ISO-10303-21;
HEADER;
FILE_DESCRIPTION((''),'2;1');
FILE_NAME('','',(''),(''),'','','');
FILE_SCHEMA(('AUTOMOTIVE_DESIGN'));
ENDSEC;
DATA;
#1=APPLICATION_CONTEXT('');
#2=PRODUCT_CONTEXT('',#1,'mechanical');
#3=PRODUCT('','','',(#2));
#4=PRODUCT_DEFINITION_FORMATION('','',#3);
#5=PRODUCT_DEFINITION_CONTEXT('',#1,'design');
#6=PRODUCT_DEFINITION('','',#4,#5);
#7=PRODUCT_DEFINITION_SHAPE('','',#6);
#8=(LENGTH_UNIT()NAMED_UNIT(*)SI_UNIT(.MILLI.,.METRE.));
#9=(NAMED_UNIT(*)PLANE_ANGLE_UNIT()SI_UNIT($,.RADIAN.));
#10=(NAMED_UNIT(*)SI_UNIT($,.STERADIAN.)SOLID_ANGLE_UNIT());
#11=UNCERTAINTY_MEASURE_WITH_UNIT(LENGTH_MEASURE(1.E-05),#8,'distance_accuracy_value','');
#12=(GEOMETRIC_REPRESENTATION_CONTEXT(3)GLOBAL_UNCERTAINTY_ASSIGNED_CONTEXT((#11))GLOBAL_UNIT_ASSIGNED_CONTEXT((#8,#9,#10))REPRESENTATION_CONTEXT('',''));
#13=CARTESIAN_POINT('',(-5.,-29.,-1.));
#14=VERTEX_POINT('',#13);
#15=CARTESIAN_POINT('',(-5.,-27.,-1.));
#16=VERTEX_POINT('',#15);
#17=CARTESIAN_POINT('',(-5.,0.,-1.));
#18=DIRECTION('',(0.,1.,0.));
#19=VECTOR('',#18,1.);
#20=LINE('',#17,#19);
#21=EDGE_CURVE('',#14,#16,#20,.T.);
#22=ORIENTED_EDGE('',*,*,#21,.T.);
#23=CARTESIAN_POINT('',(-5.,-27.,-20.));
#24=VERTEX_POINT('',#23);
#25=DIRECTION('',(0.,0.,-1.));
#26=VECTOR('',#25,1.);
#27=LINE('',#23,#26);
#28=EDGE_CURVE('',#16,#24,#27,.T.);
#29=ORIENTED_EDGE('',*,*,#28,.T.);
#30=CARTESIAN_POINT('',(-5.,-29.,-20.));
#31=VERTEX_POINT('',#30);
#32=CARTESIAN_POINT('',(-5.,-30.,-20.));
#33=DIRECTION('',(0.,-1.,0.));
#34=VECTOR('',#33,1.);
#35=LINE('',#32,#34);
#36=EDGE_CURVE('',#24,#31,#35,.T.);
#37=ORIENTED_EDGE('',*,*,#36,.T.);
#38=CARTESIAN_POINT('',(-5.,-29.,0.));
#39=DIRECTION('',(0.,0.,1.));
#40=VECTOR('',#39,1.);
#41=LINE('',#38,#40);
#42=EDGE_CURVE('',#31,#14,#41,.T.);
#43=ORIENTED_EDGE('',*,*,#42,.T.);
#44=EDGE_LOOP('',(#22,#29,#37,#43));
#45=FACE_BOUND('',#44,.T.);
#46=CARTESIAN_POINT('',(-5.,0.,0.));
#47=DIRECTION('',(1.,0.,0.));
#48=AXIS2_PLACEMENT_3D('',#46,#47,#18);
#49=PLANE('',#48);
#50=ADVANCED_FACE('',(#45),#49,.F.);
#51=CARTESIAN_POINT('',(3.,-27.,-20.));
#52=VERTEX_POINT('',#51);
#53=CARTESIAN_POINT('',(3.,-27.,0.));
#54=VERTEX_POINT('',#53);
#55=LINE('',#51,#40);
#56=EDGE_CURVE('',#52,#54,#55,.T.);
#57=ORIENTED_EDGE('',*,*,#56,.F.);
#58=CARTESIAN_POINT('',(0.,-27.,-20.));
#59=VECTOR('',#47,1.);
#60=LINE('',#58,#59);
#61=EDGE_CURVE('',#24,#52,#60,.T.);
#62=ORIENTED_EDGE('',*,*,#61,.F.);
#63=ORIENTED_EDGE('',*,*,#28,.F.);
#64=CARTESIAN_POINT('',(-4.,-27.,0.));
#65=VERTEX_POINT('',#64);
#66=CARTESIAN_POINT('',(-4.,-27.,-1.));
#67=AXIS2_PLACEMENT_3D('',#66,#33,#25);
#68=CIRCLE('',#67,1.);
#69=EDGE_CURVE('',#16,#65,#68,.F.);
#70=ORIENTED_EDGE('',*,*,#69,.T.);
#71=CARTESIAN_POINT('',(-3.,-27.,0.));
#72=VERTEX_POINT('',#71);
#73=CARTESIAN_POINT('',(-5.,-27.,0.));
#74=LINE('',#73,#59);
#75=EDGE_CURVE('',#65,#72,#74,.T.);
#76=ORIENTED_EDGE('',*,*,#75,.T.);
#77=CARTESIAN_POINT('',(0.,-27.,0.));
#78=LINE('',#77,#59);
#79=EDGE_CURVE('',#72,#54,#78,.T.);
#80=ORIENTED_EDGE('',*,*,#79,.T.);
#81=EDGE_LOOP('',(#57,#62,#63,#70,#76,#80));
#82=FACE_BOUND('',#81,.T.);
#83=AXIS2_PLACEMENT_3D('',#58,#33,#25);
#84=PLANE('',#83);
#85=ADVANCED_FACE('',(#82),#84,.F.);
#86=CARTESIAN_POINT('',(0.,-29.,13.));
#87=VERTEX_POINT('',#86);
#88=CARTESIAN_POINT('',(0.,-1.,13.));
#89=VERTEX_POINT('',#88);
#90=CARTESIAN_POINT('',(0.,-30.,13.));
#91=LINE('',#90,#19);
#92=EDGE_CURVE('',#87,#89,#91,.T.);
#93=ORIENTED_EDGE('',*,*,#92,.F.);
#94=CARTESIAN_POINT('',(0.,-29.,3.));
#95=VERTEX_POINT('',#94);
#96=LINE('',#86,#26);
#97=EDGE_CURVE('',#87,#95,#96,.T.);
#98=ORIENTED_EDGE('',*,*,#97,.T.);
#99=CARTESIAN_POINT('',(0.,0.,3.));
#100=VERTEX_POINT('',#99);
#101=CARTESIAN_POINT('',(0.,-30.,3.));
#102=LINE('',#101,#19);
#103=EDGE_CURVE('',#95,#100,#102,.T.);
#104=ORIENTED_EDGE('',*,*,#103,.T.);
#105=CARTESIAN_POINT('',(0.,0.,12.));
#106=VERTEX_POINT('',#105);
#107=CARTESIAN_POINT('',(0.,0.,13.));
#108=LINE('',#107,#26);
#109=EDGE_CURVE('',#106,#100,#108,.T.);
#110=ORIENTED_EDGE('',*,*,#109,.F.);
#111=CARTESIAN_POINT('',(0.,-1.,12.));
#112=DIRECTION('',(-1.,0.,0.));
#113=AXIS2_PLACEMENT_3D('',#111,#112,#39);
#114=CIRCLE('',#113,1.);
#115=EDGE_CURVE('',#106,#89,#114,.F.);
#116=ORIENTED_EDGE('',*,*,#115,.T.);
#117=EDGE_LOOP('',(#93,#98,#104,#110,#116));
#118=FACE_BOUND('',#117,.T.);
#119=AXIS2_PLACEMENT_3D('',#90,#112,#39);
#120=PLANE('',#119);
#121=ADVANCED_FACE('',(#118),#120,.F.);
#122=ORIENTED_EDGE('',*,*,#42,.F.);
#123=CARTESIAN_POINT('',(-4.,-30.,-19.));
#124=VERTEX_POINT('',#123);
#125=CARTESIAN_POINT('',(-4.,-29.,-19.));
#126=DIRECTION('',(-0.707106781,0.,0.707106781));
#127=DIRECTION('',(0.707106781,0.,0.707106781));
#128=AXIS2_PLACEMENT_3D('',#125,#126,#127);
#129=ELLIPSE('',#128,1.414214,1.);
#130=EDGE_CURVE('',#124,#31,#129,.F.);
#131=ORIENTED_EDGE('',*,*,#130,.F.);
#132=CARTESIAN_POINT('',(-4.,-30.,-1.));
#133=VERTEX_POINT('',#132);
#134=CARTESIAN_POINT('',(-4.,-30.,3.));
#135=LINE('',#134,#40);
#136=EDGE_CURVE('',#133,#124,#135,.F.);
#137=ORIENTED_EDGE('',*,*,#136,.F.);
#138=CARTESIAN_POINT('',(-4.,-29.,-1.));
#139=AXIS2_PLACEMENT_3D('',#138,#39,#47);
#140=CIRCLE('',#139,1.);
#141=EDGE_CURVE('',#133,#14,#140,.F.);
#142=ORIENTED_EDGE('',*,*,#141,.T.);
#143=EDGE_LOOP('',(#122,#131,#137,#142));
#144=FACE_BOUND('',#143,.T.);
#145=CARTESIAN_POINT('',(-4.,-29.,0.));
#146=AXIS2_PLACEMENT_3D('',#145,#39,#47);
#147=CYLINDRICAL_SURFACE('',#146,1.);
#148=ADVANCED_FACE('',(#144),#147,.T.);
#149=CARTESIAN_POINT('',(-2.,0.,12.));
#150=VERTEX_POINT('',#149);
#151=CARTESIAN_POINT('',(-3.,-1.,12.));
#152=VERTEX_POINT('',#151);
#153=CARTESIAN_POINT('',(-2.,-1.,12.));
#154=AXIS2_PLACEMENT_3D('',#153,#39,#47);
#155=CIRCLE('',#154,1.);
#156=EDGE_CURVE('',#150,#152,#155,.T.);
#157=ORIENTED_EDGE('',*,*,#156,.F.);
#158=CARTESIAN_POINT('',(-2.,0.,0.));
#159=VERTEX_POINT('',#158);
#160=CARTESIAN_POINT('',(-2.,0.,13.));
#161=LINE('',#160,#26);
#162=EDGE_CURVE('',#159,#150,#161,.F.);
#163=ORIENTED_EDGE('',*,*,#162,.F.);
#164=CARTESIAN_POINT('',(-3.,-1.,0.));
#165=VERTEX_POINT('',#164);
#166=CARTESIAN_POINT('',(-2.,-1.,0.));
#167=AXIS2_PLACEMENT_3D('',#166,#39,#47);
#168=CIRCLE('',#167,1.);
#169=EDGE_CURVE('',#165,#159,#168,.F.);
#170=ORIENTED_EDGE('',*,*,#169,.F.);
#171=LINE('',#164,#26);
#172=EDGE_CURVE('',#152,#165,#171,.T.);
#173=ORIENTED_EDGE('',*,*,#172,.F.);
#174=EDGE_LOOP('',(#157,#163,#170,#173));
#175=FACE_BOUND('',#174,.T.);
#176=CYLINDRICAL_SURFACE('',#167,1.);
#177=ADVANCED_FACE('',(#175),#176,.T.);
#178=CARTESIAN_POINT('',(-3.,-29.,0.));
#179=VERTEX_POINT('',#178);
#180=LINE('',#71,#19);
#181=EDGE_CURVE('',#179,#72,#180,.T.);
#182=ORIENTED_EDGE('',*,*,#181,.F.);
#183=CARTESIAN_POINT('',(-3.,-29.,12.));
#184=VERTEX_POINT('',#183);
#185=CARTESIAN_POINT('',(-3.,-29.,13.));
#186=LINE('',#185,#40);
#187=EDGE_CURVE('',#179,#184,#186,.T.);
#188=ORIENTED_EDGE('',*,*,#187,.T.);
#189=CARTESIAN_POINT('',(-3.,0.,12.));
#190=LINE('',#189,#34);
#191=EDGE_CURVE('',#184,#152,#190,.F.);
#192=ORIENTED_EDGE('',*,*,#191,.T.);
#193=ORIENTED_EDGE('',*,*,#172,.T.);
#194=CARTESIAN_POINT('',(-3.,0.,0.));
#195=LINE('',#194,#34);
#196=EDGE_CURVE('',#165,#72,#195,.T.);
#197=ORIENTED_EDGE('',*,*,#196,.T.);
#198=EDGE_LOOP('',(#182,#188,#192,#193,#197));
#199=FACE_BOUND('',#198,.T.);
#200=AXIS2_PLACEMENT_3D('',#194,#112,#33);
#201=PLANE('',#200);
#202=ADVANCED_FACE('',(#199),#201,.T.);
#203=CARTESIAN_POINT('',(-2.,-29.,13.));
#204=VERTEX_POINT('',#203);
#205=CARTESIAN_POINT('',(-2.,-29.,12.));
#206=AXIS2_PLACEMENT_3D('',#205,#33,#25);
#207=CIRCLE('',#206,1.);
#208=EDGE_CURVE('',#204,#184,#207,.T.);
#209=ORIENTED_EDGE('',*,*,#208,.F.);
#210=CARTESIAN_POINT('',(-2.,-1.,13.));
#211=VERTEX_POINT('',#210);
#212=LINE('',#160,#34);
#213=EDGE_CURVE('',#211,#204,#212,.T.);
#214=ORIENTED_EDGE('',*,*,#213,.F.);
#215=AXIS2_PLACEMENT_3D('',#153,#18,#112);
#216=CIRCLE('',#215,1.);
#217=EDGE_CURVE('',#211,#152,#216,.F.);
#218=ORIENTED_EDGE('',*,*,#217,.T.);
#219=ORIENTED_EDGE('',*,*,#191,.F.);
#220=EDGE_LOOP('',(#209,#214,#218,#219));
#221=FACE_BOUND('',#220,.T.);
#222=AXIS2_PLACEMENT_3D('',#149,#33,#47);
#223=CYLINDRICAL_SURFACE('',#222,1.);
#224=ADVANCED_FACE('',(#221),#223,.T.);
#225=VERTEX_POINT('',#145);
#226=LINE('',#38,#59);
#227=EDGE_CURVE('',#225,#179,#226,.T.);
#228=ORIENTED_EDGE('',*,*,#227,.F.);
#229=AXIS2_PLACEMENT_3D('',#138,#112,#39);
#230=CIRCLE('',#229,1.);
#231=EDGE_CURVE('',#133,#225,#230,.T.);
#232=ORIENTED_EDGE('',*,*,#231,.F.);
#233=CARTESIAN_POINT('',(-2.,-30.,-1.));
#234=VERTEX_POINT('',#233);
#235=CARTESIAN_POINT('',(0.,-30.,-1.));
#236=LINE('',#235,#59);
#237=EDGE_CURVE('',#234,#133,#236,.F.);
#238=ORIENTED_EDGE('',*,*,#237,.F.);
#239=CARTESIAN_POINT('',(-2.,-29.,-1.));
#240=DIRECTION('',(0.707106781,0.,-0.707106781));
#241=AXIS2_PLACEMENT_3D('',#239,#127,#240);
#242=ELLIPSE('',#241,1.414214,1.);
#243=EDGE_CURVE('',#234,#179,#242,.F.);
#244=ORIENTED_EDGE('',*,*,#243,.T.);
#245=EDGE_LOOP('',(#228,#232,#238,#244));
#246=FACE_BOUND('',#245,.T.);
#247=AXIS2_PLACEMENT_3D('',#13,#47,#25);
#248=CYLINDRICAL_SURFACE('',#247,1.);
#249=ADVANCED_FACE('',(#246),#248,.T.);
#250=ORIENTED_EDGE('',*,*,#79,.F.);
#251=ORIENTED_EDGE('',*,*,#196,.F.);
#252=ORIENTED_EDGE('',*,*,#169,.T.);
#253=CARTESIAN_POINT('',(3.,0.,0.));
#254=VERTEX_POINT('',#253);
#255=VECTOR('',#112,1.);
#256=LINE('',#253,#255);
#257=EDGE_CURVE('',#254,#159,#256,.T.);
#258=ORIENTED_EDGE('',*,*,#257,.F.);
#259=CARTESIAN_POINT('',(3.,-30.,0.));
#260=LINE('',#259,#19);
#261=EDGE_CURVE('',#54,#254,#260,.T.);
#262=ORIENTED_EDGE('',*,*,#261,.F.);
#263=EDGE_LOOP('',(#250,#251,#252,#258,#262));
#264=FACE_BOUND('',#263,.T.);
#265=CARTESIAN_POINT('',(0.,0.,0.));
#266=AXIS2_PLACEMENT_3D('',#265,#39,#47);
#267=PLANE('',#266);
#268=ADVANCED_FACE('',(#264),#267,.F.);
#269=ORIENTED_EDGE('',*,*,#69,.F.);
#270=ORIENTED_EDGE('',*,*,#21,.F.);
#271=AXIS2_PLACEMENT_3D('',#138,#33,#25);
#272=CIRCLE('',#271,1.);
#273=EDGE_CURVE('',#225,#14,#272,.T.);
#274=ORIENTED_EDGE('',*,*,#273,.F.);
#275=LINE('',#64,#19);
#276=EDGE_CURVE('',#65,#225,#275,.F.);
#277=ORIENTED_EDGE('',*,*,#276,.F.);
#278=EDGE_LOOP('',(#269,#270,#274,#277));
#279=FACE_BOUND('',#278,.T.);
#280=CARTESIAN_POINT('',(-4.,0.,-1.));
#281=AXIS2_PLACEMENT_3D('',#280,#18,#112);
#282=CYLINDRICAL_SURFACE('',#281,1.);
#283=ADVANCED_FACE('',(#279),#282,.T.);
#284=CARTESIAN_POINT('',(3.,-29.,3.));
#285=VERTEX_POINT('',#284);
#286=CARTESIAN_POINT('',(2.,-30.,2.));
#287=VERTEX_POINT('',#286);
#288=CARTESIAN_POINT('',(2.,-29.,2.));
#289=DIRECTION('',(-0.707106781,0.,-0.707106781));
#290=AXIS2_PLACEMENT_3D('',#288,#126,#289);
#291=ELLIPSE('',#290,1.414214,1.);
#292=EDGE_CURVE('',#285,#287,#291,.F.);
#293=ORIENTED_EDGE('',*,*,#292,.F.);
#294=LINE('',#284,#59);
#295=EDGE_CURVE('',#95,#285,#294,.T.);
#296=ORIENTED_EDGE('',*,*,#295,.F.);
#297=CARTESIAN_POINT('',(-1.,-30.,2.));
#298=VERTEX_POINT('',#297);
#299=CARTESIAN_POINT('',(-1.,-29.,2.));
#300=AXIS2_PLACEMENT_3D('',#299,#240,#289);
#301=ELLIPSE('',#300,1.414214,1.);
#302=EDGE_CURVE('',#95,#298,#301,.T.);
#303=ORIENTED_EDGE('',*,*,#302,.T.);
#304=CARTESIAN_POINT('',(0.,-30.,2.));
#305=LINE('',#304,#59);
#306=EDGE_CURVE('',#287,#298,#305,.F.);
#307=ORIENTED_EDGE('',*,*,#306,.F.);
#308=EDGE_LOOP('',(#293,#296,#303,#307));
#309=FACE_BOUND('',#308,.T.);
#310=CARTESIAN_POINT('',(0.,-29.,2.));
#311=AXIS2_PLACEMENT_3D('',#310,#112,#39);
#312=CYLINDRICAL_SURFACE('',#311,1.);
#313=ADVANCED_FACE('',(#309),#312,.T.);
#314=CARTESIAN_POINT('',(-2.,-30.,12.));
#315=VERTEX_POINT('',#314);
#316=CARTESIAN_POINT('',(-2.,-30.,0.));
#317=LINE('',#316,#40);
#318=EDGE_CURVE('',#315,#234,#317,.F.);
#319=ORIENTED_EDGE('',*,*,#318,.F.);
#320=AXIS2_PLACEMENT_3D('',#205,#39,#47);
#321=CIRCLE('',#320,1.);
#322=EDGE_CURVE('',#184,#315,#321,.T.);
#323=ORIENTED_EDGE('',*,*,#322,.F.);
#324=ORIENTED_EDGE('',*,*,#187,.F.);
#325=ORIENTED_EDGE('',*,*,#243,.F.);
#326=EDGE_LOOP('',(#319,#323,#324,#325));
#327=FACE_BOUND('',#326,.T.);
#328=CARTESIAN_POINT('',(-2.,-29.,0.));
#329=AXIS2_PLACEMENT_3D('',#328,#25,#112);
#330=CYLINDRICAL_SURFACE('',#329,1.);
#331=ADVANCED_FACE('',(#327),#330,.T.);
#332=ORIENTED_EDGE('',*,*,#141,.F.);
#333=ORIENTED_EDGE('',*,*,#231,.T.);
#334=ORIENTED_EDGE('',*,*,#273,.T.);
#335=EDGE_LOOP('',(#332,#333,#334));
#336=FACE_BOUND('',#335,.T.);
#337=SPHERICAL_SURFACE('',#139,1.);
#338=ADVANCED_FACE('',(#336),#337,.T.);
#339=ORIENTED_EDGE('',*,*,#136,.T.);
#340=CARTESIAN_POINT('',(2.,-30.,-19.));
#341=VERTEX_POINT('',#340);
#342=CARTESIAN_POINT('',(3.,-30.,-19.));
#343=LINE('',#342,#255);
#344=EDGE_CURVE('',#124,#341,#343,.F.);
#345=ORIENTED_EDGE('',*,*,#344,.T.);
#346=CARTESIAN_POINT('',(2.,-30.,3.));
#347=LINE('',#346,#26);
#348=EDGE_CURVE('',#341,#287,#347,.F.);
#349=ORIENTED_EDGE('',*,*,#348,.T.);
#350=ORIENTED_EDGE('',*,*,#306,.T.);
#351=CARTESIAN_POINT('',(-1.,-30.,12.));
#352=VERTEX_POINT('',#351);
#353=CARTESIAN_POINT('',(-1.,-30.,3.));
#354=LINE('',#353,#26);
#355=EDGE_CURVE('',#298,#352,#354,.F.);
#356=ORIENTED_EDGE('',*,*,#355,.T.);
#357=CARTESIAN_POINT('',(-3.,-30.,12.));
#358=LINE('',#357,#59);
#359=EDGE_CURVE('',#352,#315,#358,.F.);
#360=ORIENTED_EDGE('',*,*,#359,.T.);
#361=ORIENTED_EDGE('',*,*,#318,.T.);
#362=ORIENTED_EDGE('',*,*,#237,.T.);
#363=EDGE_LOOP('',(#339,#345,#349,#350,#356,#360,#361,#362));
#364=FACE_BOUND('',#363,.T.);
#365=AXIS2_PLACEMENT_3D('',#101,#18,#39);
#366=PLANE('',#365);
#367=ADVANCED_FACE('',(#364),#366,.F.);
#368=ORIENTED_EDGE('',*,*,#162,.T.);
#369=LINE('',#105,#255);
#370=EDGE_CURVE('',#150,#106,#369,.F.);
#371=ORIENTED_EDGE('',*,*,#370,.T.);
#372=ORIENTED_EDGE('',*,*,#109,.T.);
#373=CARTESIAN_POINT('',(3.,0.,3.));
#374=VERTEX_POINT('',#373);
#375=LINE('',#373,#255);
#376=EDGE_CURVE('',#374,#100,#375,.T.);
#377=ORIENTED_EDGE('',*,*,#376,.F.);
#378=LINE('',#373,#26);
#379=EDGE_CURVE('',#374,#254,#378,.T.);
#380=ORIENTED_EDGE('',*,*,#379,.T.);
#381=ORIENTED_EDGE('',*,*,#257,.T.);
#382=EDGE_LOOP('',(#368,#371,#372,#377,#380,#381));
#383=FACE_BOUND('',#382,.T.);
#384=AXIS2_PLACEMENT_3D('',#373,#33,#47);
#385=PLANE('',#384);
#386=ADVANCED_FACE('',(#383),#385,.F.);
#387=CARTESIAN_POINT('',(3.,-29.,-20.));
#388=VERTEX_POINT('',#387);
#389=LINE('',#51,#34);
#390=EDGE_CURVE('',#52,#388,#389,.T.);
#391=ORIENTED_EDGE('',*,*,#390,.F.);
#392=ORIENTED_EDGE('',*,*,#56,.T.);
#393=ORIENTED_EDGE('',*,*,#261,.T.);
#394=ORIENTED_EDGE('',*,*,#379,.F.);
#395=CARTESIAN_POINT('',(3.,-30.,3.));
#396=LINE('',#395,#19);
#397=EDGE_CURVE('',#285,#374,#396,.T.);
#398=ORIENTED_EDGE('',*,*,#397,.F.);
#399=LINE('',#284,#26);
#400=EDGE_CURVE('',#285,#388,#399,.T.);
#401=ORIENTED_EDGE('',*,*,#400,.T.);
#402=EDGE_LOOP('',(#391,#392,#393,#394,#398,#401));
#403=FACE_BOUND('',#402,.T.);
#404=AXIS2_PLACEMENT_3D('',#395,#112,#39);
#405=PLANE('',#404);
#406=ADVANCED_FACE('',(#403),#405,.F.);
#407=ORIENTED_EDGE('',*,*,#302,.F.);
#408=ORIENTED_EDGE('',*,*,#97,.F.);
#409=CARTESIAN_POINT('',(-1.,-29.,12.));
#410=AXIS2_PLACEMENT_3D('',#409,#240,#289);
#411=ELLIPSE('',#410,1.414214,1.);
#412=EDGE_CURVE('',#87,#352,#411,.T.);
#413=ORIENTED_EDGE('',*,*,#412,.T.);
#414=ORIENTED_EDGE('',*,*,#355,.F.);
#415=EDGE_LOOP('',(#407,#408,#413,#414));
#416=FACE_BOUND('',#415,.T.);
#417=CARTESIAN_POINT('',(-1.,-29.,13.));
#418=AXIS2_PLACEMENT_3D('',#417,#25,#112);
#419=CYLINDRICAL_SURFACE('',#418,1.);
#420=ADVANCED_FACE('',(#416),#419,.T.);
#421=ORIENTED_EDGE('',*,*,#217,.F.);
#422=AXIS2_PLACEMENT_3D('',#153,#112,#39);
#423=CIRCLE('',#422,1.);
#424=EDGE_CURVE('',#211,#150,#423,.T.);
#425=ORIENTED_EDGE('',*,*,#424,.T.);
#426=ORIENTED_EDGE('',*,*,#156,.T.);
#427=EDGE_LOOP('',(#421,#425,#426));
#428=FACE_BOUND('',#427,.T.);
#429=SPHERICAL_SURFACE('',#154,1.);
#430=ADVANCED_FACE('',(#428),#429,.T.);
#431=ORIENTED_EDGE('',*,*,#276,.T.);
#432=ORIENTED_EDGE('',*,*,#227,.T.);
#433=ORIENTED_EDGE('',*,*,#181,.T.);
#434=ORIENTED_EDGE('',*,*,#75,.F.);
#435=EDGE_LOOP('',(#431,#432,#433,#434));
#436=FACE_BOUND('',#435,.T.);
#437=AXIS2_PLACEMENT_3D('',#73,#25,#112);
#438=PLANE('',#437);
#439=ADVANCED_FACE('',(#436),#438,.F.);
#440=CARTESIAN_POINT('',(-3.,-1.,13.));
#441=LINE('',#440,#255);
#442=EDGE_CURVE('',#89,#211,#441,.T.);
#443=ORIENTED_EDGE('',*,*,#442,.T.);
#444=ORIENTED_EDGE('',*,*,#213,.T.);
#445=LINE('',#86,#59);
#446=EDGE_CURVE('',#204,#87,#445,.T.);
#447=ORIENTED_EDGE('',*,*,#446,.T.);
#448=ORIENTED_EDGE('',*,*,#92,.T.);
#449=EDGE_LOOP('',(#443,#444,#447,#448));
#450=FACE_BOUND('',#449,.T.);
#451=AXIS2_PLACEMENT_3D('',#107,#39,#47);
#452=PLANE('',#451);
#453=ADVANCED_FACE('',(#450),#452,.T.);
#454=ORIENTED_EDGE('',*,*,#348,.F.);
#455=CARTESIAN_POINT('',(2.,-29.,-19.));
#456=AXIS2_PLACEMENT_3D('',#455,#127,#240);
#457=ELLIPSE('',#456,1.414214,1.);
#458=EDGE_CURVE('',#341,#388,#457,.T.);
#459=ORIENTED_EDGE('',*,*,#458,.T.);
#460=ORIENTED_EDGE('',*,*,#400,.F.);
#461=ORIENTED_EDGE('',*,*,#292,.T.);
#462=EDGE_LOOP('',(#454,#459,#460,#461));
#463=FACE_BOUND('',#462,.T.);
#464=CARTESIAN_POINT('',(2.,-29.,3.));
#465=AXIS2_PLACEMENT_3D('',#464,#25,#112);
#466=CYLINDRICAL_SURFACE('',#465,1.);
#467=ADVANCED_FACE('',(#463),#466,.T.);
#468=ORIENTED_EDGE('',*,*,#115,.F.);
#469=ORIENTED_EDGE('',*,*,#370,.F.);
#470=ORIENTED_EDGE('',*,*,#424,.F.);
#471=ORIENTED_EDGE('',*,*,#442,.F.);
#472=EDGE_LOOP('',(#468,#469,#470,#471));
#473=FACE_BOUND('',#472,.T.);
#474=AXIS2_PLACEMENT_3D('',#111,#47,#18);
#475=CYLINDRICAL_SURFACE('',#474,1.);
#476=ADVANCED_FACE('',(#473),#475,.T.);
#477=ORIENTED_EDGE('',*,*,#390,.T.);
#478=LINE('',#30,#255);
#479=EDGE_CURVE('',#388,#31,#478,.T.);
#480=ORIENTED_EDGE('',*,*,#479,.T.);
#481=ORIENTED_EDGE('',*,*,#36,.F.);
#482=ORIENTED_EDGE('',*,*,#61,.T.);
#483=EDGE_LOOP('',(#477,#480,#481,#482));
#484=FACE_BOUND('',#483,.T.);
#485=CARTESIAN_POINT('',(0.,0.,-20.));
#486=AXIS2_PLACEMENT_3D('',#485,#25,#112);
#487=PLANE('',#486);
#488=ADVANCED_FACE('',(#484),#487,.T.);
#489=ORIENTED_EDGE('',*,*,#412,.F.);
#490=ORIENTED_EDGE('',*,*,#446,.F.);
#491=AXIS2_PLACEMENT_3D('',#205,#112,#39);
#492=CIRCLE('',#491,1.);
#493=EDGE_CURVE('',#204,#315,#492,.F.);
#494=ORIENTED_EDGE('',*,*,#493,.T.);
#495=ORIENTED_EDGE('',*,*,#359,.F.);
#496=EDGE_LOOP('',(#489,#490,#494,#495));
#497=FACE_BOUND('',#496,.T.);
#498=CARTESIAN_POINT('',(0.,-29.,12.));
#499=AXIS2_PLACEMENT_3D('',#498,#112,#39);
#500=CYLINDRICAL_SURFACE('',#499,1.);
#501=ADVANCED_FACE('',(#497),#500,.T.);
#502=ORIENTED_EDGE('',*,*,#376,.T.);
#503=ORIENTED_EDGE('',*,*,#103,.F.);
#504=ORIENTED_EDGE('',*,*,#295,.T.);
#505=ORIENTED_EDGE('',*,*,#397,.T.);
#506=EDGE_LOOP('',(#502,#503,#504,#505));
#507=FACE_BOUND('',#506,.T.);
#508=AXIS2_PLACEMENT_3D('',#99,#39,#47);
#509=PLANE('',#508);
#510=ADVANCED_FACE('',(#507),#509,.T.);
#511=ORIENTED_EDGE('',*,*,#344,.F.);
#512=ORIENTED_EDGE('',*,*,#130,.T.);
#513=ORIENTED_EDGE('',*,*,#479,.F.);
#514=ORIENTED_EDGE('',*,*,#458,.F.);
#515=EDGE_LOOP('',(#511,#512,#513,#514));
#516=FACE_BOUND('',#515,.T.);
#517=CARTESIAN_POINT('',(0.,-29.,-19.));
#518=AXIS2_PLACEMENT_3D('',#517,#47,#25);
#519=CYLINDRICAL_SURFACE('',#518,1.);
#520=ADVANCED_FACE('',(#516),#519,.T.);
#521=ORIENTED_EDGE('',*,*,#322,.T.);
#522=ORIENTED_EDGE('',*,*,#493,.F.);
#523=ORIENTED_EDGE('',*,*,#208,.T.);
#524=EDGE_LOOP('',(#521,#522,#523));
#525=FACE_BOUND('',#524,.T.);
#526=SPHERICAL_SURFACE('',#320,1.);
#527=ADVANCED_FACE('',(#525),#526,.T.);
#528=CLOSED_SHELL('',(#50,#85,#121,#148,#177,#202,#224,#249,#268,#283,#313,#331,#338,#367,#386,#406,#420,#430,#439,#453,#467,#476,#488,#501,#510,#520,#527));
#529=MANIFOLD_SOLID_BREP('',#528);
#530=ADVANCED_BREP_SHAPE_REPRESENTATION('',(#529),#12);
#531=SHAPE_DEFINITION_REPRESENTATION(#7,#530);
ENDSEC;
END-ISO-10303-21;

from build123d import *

# Parameters (mm, degrees)
SKETCH1_W            = 3
SKETCH1_H            = 30
BOSS_EXTRUDE1_DEPTH  = 3
SKETCH8_W            = 3
SKETCH8_H            = 3
BOSS_EXTRUDE7_DEPTH  = 20
SKETCH9_W            = 20
SKETCH9_H            = 3
BOSS_EXTRUDE8_DEPTH  = 5
SKETCH12_W           = 3
SKETCH12_H           = 30
BOSS_EXTRUDE10_DEPTH = 3
SKETCH13_W           = 3
SKETCH13_H           = 30
BOSS_EXTRUDE11_DEPTH = 10
FILLET6_R            = 1


with BuildPart() as part:
    # Sketch1 → Boss-Extrude1 (new body)
    with BuildSketch(Plane.XY):
        with Locations((1.5, -15)):
            Rectangle(SKETCH1_W, SKETCH1_H)
    extrude(amount=BOSS_EXTRUDE1_DEPTH)

    # Sketch8 → Boss-Extrude7 (add)
    with BuildSketch(Plane(origin=(0, 0, 0), x_dir=(-1, 0, 0), z_dir=(0, 0, -1))):
        with Locations((-1.5, -28.5)):
            Rectangle(SKETCH8_W, SKETCH8_H)
    extrude(amount=BOSS_EXTRUDE7_DEPTH)

    # Sketch9 → Boss-Extrude8 (add)
    with BuildSketch(Plane.ZY):
        with Locations((-10, -28.5)):
            Rectangle(SKETCH9_W, SKETCH9_H)
    extrude(amount=BOSS_EXTRUDE8_DEPTH)

    # Sketch12 → Boss-Extrude10 (add)
    with BuildSketch(Plane.ZY):
        with Locations((1.5, -15)):
            Rectangle(SKETCH12_W, SKETCH12_H)
    extrude(amount=BOSS_EXTRUDE10_DEPTH)

    # Sketch13 → Boss-Extrude11 (add)
    with BuildSketch(Plane.XY.offset(3)):
        with Locations((-1.5, -15)):
            Rectangle(SKETCH13_W, SKETCH13_H)
    extrude(amount=BOSS_EXTRUDE11_DEPTH)

    # Fillet6
    fillet6_edges = [part.edges().sort_by_distance(p)[0] for p in [
        (-1, -30, -20),
        (-4, -30, 0),
        (-5, -30, -10),
        (-5, -28.5, 0),
        (-3, 0, 6.5),
        (-3, -30, 6.5),
        (1.5, -30, 3),
        (0, -30, 8),
        (-1.5, 0, 13),
        (-3, -15, 13),
        (-1.5, -30, 13),
        (3, -30, -8.5),
    ]]
    fillet(fillet6_edges, radius=FILLET6_R)


solid = part.part
